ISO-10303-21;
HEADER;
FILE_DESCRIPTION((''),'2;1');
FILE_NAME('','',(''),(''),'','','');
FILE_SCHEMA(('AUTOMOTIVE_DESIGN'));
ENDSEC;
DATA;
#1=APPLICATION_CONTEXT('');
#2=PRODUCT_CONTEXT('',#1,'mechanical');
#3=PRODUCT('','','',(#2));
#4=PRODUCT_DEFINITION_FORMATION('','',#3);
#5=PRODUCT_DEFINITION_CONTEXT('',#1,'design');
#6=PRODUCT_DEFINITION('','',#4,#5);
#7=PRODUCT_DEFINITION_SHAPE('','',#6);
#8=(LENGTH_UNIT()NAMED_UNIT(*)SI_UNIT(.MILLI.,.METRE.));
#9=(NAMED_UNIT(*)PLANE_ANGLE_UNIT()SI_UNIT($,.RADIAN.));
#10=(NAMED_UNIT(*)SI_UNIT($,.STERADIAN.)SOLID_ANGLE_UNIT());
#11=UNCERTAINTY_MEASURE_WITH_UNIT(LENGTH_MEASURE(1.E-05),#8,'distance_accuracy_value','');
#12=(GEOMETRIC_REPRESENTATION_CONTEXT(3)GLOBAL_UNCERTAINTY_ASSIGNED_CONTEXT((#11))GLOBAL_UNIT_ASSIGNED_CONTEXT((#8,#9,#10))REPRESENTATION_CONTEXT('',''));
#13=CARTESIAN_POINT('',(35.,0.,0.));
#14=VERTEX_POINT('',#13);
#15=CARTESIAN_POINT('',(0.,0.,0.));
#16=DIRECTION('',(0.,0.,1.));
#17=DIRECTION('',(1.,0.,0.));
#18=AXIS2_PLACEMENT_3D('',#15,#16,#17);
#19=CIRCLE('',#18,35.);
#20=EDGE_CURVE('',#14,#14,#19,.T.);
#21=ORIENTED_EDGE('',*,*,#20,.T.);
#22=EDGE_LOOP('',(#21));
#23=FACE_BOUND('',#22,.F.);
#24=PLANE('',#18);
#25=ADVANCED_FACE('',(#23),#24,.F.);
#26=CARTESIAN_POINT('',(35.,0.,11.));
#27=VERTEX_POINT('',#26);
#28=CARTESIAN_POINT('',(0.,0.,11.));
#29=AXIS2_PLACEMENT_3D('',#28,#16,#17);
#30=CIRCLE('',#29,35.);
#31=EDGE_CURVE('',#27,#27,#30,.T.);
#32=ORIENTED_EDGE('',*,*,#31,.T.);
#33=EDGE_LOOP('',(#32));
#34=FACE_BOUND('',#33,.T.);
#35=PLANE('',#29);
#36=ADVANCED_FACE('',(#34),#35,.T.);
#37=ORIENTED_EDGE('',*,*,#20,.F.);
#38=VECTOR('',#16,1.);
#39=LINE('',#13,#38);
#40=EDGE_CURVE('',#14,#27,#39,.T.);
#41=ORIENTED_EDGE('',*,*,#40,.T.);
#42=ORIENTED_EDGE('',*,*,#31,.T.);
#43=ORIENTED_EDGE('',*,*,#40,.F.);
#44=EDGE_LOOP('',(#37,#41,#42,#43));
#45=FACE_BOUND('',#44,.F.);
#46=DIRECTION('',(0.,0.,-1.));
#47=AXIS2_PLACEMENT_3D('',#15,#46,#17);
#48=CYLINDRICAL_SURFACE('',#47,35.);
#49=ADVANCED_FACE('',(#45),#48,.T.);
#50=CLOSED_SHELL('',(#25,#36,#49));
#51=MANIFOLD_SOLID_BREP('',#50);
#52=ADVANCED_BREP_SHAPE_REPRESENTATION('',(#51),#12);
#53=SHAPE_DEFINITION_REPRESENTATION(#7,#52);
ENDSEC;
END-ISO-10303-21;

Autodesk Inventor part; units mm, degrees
ref_plane "YZ Plane" through (0, 0, 0) normal (1, 0, 0) x (0, 1, 0)
ref_plane "XZ Plane" through (0, 0, 0) normal (0, 1, 0) x (-1, 0, 0)
ref_plane "XY Plane" through (0, 0, 0) normal (0, 0, 1) x (1, 0, 0)
sketch "Sketch1" plane through (0, 0, 0) normal (0, 0, 1) x (1, 0, 0)
  circle A0 centre (0, 0) radius 35
  dimension "d0" = 70
extrude "Extrusion1" add sketch "Sketch1" along normal blind 11
sketch "Sketch2" plane through (0, 0, 11) normal (0, 0, 1) x (1, 0, 0)
  circle A0 centre (0, 0) radius 17.5
  dimension "d3" = 35
equation "\"d0\" = bearing_61814_inner"
equation "\"d3\" = bearing_61807_inner"
equation "\"bearing_61807_inner\" = 35"
equation "\"bearing_61807_outer\" = 47.1"
equation "\"bearing_61814_inner\" = 70"
equation "\"bearing_61814_outer\" = 90.1"
equation "\"bearing_61705_outer\" = 32.1"
equation "\"bearing_61705_inner\" = 25"
equation "\"bearing_606_outer\" = 17.1"
equation "\"M3_adjustable\" = 3.2"
equation "\"gearbox_35_outer\" = 32.3"
equation "\"gearbox_42_outer\" = 42.3"
properties part number "941-printer calibration"
